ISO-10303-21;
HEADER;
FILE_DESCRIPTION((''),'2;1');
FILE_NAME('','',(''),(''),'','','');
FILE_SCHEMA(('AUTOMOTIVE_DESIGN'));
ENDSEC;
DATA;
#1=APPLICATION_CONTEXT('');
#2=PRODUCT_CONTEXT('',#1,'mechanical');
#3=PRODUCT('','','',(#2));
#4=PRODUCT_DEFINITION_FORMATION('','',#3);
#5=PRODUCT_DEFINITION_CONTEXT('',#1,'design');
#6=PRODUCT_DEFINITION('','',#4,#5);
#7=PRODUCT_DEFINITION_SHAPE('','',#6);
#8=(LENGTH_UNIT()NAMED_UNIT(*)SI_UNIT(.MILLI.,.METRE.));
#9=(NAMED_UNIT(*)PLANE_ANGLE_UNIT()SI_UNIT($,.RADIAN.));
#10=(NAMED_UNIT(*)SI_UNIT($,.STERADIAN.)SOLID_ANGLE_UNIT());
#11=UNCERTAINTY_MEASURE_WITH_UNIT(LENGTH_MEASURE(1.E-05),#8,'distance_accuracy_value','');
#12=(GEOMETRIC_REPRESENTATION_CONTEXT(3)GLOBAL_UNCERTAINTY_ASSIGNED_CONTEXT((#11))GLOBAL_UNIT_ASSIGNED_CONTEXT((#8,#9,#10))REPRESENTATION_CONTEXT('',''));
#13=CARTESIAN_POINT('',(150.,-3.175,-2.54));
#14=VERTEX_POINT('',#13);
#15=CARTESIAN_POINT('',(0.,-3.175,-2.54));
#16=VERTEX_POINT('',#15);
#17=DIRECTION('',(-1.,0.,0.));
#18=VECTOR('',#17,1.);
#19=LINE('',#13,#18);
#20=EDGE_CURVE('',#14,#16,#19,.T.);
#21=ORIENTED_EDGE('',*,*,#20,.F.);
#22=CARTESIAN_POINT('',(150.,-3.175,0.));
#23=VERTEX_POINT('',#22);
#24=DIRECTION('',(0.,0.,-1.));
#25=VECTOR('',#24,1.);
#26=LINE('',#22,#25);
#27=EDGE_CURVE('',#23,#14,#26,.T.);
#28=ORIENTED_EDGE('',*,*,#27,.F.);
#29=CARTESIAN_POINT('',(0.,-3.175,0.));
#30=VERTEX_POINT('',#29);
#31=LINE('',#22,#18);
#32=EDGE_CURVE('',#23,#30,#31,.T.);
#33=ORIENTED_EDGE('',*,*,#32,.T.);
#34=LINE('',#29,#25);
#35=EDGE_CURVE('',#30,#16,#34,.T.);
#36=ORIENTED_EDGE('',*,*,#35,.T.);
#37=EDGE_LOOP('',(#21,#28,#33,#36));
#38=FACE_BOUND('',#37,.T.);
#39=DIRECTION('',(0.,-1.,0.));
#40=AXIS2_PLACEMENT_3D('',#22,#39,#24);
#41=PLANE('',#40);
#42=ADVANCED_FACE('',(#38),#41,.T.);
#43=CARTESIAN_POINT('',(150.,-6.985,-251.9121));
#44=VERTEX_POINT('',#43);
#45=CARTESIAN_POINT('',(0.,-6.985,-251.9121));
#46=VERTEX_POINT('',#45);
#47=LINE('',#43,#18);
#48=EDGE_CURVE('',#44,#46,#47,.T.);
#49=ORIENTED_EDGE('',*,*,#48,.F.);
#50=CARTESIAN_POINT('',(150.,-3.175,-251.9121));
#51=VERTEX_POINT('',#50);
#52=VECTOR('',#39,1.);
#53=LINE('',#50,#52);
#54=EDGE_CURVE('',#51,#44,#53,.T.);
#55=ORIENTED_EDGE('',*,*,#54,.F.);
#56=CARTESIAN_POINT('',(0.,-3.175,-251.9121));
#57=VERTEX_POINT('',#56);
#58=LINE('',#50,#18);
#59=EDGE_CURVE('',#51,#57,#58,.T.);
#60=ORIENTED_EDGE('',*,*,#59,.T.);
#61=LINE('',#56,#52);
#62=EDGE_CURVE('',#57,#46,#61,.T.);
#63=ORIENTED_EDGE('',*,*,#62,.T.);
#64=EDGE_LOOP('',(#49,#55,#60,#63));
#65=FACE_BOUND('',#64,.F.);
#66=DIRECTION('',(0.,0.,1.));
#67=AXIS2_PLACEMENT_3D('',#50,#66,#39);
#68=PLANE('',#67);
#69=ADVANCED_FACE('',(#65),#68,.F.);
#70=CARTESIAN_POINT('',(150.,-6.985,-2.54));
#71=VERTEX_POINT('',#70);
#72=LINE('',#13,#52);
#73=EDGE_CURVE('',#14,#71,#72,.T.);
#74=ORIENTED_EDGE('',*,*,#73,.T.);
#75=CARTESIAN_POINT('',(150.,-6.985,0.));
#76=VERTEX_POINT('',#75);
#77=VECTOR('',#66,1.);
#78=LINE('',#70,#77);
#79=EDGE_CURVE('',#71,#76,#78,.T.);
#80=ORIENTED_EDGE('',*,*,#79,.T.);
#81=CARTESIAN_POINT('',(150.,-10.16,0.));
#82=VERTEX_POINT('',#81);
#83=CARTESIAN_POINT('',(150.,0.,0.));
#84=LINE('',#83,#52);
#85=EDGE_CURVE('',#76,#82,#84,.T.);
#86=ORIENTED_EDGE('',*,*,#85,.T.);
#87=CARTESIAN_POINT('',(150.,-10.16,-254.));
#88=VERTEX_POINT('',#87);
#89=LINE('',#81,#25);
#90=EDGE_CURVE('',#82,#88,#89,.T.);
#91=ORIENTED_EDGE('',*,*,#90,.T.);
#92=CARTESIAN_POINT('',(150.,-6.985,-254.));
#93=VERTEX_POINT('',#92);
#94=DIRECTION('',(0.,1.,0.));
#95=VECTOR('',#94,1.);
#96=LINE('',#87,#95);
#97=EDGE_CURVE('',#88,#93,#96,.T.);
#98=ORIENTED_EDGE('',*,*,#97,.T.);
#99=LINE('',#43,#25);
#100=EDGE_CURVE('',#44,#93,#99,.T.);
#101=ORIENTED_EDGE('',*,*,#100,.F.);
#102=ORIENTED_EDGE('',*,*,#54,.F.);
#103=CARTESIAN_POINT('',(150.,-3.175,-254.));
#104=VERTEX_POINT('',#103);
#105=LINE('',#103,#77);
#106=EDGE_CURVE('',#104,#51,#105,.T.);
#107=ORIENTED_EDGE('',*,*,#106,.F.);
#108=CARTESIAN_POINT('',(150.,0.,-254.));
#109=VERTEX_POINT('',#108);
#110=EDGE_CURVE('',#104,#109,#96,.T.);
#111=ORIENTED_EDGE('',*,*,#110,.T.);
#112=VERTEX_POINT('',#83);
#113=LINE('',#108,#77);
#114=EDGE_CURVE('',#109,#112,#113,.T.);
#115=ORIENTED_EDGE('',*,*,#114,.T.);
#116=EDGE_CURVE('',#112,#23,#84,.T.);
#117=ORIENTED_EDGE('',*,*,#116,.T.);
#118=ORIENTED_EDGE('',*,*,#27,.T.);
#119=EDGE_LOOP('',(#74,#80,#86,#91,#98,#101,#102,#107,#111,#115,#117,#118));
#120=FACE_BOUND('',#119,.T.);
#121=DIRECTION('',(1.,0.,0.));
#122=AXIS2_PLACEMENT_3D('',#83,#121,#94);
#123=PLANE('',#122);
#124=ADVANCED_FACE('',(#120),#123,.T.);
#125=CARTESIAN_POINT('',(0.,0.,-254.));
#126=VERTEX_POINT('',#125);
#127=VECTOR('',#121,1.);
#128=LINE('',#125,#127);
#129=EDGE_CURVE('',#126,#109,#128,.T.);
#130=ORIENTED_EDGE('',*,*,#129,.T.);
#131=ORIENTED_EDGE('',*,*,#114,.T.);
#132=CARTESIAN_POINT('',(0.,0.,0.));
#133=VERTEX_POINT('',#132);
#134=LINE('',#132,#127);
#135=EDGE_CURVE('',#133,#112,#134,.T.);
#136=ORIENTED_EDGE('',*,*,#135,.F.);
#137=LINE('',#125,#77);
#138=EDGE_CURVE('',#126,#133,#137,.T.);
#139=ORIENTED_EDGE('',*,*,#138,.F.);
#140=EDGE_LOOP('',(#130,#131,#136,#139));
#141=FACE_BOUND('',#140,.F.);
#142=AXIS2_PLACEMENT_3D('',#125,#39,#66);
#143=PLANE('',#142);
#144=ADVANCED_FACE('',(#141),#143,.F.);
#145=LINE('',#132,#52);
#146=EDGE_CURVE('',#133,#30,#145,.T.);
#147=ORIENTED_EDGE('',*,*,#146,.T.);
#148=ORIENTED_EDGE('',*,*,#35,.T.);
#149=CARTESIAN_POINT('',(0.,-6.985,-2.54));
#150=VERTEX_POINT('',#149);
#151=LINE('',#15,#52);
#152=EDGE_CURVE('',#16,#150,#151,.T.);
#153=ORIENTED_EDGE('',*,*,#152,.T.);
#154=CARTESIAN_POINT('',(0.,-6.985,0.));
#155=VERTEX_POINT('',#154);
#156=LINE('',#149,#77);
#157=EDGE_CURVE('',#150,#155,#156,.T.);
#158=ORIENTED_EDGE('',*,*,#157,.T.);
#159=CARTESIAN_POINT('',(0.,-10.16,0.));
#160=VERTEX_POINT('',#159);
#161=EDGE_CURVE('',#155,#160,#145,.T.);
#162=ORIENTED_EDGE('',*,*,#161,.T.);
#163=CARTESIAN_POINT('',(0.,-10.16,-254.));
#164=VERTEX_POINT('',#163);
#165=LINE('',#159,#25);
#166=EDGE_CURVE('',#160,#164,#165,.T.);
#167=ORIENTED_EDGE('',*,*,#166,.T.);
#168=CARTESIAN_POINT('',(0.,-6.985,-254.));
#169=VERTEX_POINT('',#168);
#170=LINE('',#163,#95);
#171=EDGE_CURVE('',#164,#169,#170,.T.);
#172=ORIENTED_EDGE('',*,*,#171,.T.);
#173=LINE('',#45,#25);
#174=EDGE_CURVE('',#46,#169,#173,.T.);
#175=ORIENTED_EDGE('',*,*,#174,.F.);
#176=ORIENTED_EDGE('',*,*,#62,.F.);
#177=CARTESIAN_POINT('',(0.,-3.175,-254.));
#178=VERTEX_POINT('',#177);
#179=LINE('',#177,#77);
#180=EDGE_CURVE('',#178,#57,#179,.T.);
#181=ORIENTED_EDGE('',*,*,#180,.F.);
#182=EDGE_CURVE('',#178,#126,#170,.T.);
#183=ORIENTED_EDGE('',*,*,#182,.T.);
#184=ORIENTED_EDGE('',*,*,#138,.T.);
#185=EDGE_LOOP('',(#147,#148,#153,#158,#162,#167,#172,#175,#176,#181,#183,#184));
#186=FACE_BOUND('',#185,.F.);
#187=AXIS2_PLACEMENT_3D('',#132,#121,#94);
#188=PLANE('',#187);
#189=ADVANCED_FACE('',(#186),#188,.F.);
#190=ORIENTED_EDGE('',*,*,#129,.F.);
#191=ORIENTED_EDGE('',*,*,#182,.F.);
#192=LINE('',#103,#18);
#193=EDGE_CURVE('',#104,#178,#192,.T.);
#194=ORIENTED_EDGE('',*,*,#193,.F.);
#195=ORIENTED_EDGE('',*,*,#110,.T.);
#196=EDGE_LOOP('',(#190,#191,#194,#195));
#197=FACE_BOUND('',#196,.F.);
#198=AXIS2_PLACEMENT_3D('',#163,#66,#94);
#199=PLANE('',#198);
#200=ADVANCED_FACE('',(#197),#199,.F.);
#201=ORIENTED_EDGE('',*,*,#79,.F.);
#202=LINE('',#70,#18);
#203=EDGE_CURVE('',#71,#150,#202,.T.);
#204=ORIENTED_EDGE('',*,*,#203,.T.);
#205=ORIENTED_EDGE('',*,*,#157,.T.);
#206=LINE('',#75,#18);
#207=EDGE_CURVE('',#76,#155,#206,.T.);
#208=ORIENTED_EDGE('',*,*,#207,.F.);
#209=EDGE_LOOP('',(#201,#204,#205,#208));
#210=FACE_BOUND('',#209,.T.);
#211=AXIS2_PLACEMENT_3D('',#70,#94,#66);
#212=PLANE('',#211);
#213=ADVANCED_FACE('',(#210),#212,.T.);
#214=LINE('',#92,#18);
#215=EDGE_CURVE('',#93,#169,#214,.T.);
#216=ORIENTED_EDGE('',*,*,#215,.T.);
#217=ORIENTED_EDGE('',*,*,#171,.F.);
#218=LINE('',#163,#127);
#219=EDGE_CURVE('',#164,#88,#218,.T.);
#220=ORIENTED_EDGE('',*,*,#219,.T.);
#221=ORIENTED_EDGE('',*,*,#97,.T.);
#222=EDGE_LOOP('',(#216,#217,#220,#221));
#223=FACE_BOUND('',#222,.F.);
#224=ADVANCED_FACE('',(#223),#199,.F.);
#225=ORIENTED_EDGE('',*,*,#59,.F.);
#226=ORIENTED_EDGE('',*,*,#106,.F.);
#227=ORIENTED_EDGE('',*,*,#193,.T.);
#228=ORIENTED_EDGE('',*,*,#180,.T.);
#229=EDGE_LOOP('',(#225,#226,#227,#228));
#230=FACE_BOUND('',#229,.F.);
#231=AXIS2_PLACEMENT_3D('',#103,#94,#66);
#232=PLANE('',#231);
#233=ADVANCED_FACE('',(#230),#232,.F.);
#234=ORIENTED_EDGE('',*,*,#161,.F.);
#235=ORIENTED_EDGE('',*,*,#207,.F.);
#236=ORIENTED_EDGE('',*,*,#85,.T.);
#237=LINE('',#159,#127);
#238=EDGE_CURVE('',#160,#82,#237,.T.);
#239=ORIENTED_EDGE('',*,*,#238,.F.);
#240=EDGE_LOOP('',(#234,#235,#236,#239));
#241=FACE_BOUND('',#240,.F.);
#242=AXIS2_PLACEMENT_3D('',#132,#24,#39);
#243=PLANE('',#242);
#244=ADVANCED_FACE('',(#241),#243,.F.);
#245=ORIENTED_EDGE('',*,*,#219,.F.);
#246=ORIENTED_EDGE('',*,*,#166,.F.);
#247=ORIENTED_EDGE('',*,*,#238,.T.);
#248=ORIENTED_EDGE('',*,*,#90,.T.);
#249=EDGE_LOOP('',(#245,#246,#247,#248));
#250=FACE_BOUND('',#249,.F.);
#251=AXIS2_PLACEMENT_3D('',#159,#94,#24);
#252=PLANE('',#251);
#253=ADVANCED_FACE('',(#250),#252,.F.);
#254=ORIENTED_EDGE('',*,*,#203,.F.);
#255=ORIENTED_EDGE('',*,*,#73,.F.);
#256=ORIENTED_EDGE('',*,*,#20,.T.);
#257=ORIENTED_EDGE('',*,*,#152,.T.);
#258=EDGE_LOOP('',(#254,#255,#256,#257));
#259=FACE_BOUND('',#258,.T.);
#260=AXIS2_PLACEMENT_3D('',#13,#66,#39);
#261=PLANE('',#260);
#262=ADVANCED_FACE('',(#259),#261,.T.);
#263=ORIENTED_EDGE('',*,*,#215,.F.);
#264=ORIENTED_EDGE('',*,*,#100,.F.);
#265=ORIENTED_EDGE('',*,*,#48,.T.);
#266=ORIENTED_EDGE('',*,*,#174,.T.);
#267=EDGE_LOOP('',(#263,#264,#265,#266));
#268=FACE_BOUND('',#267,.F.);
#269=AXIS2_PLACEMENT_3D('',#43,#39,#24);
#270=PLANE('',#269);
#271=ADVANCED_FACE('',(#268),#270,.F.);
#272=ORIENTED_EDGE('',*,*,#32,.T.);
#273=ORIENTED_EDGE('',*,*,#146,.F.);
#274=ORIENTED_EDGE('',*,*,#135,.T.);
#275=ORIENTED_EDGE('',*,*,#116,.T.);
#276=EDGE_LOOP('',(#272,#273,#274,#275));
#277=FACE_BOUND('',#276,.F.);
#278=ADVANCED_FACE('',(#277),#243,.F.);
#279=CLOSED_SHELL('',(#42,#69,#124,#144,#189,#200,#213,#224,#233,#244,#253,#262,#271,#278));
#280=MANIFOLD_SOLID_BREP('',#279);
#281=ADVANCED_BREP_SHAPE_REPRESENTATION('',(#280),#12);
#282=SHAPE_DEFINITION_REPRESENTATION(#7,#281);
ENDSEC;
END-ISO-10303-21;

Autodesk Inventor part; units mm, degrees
ref_plane "YZ Plane" through (0, 0, 0) normal (1, 0, 0) x (0, 1, 0)
ref_plane "XZ Plane" through (0, 0, 0) normal (0, 1, 0) x (-1, 0, 0)
ref_plane "XY Plane" through (0, 0, 0) normal (0, 0, 1) x (1, 0, 0)
sketch "Sketch1" plane through (0, 0, 0) normal (1, 0, 0) x (0, 1, 0)
  line L0 (0, 0) -> (-10.16, 0)
  line L1 (-10.16, 0) -> (-10.16, -254)
  line L2 (-10.16, -254) -> (0, -254)
  line L3 (0, -254) -> (0, 0)
  dimension "d0" = 254
  dimension "d1" = 10.16
extrude "Extrusion1" add sketch "Sketch1" along normal blind 150
sketch "Sketch2" plane through (150, 0, 0) normal (1, 0, 0) x (0, 0, -1)
  line L0 (0, -3.175) -> (2.54, -3.175)
  line L1 (2.54, -3.175) -> (2.54, -6.985)
  line L2 (2.54, -6.985) -> (0, -6.985)
  line L3 (0, -6.985) -> (0, -3.175)
  line L4 (0, -10.16) -> (254, -10.16) projected
  line L5 (254, 0) -> (0, 0) projected
  line L6 (254, -3.175) -> (251.9121, -3.175)
  line L7 (251.9121, -3.175) -> (251.9121, -6.985)
  line L8 (251.9121, -6.985) -> (254, -6.985)
  line L9 (254, -6.985) -> (254, -3.175)
  dimension "d4" = 10.16
  dimension "d5" = 3.175
  dimension "d6" = 3.81
  dimension "d7" = 2.54
  dimension "d8" = 3.175
  dimension "d9" = 3.81
  dimension "d10" = 2.0879
  dimension "d11" = 251.46
  dimension "d12" = 0
extrude "Extrusion2" cut sketch "Sketch2" against normal blind 150
properties part number "planche"
